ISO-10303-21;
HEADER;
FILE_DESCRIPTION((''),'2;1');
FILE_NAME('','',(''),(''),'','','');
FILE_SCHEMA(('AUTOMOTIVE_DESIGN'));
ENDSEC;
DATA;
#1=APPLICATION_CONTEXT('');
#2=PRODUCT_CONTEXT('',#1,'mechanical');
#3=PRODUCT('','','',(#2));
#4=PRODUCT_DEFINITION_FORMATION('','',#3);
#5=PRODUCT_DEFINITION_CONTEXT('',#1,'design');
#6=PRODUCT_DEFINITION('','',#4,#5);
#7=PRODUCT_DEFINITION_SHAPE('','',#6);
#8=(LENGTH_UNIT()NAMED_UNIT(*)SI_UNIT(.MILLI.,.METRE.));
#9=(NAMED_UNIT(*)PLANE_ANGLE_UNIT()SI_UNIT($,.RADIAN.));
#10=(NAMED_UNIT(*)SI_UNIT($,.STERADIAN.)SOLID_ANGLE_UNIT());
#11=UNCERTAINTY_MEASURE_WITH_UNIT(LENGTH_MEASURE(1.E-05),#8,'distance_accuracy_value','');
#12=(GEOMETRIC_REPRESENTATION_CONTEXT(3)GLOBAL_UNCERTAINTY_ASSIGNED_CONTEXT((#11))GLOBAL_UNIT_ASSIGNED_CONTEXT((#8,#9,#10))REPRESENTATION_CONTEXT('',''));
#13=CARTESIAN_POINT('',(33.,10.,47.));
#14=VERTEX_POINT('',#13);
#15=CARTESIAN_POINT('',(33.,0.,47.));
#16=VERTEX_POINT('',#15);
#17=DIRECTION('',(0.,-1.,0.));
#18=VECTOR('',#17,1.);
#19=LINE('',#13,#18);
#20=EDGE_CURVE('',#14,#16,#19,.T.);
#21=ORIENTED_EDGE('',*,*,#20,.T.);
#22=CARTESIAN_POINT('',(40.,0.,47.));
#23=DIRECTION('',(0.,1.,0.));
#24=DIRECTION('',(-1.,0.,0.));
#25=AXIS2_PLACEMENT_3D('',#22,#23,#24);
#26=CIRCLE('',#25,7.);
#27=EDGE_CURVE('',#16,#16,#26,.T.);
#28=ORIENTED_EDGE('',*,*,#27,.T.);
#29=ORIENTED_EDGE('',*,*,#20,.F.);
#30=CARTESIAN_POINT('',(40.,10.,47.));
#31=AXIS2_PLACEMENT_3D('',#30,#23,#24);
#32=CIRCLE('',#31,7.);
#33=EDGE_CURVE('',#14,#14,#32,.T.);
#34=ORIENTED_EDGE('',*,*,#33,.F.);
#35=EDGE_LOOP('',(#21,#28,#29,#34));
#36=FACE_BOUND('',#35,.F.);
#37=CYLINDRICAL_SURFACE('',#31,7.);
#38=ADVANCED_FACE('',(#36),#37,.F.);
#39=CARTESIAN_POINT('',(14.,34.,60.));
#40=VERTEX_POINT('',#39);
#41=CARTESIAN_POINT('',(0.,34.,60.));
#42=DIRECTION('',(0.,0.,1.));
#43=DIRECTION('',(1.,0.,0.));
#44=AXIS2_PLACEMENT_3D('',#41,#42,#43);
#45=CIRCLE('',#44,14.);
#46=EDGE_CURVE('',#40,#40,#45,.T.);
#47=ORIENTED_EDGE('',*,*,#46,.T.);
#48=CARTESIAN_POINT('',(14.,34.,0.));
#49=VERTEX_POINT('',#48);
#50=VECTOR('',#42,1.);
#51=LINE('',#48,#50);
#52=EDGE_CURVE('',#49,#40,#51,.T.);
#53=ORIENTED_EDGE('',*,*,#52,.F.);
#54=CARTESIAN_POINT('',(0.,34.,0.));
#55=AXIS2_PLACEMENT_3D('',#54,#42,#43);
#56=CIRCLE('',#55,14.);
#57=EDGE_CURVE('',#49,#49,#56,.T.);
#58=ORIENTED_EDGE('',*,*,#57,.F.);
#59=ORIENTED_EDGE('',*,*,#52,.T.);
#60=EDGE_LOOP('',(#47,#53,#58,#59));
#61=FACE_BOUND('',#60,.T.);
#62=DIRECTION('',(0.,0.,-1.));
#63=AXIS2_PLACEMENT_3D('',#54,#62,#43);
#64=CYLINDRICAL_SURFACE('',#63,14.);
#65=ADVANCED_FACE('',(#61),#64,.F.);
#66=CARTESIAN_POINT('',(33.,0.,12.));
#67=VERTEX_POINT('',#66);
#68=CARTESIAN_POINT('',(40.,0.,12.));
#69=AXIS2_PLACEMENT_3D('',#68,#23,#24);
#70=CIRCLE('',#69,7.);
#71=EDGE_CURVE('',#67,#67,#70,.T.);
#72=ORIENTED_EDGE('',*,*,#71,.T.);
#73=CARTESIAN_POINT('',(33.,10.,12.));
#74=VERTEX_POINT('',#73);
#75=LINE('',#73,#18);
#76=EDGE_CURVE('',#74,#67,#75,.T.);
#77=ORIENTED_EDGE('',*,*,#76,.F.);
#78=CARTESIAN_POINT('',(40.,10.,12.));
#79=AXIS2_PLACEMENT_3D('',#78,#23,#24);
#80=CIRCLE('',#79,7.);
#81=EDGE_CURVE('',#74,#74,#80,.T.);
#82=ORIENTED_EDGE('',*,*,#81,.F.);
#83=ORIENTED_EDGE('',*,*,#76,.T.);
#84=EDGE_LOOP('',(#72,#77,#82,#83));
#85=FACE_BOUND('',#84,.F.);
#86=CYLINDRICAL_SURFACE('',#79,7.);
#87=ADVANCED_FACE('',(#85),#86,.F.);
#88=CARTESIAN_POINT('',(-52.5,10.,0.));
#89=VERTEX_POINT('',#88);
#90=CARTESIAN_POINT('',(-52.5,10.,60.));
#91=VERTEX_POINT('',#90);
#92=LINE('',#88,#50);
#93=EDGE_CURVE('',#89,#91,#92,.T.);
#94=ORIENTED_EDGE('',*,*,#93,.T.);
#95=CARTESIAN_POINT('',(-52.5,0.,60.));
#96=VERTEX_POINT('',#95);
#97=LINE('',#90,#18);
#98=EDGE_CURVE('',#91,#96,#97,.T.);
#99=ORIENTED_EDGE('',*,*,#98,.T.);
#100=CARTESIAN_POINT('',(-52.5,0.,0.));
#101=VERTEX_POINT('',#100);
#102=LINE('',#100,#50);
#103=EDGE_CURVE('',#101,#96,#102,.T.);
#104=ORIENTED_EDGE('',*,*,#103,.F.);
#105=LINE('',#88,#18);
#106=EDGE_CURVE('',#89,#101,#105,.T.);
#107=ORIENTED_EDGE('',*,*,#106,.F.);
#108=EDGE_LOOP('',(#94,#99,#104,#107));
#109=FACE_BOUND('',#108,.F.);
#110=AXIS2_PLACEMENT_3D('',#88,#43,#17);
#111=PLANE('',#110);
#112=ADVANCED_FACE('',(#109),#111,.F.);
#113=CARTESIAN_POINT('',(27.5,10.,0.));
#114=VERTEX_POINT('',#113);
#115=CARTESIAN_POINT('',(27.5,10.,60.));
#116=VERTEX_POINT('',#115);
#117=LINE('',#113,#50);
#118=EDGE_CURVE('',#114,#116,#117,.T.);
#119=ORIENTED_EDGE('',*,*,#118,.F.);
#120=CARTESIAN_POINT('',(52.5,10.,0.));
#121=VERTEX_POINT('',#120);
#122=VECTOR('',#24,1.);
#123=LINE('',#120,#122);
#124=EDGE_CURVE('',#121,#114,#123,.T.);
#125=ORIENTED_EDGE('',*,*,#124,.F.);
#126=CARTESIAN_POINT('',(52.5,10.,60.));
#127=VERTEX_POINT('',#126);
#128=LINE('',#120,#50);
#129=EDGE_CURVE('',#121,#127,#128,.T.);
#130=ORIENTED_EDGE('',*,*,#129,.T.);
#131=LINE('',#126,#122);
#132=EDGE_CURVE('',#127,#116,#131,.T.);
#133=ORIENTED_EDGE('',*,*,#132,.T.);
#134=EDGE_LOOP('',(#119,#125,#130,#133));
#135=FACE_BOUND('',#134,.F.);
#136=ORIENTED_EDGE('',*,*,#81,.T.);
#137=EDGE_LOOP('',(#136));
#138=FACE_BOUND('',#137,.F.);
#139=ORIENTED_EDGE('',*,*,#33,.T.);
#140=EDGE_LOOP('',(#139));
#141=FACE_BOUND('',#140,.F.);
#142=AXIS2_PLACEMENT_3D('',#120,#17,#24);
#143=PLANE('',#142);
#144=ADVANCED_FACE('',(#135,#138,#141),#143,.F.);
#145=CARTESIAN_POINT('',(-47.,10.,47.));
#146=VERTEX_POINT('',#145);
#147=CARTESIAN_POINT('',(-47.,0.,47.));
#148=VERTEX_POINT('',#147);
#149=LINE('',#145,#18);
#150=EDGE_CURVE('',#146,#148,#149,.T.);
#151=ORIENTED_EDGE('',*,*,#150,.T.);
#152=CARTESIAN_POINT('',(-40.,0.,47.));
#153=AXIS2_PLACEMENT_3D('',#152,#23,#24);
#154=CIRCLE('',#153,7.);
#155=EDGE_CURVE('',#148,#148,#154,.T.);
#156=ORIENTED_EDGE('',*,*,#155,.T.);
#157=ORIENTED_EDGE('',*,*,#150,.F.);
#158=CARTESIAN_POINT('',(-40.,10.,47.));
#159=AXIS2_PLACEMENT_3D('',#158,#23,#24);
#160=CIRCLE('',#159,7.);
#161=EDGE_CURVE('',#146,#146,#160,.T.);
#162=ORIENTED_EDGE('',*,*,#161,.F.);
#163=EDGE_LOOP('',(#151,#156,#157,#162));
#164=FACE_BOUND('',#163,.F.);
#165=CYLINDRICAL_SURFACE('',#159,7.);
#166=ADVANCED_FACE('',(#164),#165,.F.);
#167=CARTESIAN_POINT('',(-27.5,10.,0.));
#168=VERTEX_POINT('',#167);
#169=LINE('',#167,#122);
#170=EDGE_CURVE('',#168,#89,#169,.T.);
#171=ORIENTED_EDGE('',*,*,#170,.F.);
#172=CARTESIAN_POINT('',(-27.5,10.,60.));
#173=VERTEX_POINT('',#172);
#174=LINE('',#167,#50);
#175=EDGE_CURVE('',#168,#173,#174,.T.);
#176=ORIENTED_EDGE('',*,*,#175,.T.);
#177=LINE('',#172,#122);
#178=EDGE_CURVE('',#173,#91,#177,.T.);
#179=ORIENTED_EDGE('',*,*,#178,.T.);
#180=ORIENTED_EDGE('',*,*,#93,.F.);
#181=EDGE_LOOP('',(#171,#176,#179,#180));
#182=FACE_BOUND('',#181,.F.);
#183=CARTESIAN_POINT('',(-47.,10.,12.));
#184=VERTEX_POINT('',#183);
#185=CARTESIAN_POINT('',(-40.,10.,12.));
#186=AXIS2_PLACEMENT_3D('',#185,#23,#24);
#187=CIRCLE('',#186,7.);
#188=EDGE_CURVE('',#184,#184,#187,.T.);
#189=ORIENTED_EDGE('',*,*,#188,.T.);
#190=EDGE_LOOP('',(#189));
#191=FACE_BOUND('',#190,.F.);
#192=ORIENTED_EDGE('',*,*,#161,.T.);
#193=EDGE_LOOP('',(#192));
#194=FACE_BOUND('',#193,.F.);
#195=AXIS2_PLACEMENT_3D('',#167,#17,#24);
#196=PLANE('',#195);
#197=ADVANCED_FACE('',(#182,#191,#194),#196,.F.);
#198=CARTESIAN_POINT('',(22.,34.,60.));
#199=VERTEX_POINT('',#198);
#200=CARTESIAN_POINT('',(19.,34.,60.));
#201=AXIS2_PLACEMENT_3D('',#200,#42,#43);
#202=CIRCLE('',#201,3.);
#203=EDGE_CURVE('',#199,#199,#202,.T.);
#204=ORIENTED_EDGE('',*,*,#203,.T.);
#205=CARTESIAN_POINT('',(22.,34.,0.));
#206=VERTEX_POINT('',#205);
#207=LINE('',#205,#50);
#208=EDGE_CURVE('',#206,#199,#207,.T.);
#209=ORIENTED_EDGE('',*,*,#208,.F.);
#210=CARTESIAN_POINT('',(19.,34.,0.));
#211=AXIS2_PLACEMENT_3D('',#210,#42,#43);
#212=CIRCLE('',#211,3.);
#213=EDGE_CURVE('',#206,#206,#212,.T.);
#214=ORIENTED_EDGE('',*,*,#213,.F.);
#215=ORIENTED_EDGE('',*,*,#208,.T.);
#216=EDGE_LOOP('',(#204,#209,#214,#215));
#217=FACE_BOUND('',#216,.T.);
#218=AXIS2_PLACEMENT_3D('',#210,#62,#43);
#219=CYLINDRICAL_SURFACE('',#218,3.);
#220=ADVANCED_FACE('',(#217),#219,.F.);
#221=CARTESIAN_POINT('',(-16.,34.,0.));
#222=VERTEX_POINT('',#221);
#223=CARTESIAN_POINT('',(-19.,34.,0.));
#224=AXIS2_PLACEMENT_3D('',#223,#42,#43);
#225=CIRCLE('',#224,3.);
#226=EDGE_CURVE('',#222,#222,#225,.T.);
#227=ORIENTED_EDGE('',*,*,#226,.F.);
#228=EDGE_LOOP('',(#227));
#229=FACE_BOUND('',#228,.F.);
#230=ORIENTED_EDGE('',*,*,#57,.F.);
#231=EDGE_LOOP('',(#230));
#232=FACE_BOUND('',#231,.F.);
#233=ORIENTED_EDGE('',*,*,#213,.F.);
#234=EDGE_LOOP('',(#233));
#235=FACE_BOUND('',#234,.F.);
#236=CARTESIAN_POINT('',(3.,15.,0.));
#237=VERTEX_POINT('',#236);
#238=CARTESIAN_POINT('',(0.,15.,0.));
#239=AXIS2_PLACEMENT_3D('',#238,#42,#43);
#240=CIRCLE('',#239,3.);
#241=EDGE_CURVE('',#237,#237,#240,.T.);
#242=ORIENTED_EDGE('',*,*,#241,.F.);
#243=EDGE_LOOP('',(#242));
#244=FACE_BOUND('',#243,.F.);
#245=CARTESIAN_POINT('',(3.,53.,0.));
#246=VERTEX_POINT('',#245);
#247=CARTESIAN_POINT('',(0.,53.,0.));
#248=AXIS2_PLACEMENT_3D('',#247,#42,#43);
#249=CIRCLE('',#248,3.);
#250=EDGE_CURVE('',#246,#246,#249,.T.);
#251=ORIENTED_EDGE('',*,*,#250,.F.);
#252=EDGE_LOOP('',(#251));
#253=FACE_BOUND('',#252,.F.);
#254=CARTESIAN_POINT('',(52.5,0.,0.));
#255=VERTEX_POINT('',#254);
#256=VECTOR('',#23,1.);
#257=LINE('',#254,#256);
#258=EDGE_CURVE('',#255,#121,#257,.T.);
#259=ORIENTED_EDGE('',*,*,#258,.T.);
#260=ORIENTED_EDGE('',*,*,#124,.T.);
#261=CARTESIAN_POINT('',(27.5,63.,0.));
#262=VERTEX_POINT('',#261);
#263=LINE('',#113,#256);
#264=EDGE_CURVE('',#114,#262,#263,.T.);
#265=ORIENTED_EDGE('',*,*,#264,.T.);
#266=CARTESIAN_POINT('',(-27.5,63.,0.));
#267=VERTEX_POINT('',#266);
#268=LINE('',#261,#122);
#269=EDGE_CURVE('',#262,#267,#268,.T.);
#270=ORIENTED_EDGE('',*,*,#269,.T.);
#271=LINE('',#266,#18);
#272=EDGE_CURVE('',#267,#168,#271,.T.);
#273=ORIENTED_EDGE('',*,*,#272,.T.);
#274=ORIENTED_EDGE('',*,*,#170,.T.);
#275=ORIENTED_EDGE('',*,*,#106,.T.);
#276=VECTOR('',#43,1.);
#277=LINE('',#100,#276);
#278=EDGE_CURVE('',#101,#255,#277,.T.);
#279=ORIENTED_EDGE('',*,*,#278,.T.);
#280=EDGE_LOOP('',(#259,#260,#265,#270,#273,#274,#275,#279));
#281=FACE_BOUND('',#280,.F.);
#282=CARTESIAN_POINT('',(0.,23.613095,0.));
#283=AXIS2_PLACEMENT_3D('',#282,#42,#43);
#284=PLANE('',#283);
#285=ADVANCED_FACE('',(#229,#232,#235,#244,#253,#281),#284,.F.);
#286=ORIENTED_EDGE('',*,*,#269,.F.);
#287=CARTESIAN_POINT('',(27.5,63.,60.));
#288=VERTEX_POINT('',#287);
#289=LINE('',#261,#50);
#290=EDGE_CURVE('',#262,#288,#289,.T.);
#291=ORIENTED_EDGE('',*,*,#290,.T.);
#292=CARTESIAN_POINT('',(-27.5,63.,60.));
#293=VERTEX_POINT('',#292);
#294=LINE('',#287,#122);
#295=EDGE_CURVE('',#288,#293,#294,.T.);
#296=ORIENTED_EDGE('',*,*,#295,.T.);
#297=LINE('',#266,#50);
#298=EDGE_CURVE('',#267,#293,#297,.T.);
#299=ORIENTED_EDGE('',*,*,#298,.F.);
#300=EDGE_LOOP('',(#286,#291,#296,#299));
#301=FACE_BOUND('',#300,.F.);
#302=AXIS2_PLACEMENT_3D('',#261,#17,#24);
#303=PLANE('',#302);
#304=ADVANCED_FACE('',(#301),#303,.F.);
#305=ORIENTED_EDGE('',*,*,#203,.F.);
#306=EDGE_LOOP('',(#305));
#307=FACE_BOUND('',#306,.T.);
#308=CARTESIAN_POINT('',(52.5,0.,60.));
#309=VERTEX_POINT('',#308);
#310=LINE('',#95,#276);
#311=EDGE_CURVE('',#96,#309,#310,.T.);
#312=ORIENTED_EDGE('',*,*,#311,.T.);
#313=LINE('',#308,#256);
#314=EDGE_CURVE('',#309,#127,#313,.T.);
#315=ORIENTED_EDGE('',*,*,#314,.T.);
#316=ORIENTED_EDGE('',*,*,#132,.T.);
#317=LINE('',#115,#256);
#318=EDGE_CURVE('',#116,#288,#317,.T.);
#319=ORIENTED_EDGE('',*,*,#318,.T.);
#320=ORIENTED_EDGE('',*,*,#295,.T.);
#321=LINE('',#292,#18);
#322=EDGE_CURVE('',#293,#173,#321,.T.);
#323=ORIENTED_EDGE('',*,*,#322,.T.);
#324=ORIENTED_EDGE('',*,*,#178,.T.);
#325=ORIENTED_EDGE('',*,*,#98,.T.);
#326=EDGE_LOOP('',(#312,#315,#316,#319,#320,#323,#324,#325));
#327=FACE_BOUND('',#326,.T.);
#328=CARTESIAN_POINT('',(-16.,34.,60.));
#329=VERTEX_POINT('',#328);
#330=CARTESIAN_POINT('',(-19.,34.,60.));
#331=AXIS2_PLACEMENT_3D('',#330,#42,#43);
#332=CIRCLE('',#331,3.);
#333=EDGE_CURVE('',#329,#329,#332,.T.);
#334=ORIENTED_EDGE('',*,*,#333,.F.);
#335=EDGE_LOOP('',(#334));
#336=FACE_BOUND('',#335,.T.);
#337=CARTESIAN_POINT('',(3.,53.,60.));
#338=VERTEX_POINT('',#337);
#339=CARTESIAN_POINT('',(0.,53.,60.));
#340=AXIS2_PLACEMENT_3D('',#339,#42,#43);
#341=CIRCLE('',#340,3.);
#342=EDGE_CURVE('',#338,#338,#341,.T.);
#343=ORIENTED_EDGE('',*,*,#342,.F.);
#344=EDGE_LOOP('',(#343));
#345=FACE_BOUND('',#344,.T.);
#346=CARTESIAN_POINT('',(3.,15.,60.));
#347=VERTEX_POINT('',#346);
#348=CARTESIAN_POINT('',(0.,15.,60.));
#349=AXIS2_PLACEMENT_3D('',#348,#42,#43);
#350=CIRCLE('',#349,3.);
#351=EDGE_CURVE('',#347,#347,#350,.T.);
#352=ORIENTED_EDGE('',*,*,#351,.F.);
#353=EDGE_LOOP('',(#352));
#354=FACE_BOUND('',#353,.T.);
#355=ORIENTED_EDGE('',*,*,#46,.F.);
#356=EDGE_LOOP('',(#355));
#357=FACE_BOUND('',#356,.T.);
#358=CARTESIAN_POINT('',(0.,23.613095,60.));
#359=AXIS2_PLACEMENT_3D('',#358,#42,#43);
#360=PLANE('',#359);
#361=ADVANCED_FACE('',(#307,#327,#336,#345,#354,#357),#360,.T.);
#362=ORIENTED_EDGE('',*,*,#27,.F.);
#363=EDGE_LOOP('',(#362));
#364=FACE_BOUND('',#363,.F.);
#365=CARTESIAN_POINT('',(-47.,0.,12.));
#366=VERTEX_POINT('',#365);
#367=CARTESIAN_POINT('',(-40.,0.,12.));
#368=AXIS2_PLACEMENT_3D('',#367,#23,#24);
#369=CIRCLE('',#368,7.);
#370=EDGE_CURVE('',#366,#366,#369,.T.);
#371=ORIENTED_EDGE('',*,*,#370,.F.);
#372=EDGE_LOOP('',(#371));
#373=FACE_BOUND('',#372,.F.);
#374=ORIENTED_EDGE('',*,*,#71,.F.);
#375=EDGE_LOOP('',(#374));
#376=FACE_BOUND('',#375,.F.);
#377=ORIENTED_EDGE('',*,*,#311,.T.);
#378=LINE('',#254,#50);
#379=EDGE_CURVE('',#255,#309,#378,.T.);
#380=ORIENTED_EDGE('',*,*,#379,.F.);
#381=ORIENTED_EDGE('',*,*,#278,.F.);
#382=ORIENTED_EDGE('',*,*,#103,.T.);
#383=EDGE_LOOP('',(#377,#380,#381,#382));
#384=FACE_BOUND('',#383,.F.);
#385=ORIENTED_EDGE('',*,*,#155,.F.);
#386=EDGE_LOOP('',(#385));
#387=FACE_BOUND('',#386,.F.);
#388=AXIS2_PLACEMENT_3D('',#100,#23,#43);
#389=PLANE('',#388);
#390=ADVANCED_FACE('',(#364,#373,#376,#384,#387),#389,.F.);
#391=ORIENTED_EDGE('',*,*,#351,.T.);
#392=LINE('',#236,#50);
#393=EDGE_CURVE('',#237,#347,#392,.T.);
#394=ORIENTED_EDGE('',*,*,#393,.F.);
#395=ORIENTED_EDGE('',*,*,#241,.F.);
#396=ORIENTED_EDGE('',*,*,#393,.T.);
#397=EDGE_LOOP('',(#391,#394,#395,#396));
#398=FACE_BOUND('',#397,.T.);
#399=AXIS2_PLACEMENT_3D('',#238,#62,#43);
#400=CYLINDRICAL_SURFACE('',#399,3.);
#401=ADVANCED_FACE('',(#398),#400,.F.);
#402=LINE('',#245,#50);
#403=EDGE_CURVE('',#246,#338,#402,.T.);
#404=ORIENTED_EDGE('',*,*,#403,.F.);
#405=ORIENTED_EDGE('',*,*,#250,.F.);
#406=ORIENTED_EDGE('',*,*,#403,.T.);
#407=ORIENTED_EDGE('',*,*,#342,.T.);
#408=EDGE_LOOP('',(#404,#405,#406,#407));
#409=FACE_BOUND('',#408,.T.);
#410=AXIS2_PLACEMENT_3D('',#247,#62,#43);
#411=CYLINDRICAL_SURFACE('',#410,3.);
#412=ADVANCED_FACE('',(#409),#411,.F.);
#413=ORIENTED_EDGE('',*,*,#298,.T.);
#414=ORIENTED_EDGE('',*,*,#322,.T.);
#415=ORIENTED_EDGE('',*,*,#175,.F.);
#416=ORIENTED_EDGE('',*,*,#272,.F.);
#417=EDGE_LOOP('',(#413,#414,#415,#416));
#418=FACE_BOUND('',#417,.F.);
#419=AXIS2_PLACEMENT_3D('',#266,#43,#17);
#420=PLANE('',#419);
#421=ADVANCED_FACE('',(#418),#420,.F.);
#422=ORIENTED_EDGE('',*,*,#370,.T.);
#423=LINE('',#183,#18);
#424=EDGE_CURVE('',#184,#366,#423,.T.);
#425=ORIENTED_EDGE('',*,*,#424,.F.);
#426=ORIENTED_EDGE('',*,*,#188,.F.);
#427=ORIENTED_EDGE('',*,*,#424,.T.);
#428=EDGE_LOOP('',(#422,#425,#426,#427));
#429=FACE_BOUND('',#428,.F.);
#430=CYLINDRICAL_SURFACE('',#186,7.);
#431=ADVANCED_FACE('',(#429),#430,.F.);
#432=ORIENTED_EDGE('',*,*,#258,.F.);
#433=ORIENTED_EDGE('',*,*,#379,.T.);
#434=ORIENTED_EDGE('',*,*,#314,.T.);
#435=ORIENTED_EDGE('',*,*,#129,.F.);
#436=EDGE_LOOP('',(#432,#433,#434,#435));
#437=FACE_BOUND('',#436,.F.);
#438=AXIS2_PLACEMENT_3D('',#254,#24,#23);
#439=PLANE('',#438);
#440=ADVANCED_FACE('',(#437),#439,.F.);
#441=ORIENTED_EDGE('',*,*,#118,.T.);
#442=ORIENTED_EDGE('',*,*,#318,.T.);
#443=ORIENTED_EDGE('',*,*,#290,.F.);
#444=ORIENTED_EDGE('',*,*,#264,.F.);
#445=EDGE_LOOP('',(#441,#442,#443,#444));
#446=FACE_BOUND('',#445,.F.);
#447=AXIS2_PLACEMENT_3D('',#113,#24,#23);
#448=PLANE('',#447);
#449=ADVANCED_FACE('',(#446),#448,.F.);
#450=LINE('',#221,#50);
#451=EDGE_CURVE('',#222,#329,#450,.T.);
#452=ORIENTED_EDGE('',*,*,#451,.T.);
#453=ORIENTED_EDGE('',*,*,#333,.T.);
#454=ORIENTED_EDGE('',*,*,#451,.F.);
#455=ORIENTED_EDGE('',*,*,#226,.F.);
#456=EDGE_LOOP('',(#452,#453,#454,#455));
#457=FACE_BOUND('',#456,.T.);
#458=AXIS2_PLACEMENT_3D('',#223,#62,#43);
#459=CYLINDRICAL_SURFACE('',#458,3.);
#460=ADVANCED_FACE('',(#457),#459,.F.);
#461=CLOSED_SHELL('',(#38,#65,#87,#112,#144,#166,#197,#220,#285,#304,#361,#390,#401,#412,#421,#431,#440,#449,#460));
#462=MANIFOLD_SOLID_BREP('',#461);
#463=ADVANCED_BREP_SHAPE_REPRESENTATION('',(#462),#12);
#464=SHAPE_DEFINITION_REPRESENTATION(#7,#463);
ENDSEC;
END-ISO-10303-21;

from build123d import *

# Parameters (mm, degrees)
F0_R     = 3
F0_R_2   = 14
F1_DEPTH = 60
F2_R     = 7
F3_DEPTH = 25


with BuildPart() as f1:
    # F0 (on Top) → F1 (new body)
    with BuildSketch(Plane.XY):
        Polygon((-52.5, 10), (-52.5, 0), (52.5, 0), (52.5, 10), (27.5, 10), (27.5, 63), (-27.5, 63), (-27.5, 10), align=None)
        with Locations((0, 15)):
            Circle(F0_R, mode=Mode.SUBTRACT)
        with Locations((-19, 34)):
            Circle(F0_R, mode=Mode.SUBTRACT)
        with Locations((0, 34)):
            Circle(F0_R_2, mode=Mode.SUBTRACT)
        with Locations((19, 34)):
            Circle(F0_R, mode=Mode.SUBTRACT)
        with Locations((0, 53)):
            Circle(F0_R, mode=Mode.SUBTRACT)
    extrude(amount=F1_DEPTH)

    # F2 (on face) → F3 (cut)
    with BuildSketch(Plane(origin=(0, 10, 0), x_dir=(-1, 0, 0), z_dir=(0, 1, 0))):
        with Locations((-40, 47)):
            Circle(F2_R)
        with Locations((-40, 12)):
            Circle(F2_R)
        with Locations((40, 47)):
            Circle(F2_R)
        with Locations((40, 12)):
            Circle(F2_R)
    extrude(amount=-F3_DEPTH, mode=Mode.SUBTRACT)


solid = f1.part
